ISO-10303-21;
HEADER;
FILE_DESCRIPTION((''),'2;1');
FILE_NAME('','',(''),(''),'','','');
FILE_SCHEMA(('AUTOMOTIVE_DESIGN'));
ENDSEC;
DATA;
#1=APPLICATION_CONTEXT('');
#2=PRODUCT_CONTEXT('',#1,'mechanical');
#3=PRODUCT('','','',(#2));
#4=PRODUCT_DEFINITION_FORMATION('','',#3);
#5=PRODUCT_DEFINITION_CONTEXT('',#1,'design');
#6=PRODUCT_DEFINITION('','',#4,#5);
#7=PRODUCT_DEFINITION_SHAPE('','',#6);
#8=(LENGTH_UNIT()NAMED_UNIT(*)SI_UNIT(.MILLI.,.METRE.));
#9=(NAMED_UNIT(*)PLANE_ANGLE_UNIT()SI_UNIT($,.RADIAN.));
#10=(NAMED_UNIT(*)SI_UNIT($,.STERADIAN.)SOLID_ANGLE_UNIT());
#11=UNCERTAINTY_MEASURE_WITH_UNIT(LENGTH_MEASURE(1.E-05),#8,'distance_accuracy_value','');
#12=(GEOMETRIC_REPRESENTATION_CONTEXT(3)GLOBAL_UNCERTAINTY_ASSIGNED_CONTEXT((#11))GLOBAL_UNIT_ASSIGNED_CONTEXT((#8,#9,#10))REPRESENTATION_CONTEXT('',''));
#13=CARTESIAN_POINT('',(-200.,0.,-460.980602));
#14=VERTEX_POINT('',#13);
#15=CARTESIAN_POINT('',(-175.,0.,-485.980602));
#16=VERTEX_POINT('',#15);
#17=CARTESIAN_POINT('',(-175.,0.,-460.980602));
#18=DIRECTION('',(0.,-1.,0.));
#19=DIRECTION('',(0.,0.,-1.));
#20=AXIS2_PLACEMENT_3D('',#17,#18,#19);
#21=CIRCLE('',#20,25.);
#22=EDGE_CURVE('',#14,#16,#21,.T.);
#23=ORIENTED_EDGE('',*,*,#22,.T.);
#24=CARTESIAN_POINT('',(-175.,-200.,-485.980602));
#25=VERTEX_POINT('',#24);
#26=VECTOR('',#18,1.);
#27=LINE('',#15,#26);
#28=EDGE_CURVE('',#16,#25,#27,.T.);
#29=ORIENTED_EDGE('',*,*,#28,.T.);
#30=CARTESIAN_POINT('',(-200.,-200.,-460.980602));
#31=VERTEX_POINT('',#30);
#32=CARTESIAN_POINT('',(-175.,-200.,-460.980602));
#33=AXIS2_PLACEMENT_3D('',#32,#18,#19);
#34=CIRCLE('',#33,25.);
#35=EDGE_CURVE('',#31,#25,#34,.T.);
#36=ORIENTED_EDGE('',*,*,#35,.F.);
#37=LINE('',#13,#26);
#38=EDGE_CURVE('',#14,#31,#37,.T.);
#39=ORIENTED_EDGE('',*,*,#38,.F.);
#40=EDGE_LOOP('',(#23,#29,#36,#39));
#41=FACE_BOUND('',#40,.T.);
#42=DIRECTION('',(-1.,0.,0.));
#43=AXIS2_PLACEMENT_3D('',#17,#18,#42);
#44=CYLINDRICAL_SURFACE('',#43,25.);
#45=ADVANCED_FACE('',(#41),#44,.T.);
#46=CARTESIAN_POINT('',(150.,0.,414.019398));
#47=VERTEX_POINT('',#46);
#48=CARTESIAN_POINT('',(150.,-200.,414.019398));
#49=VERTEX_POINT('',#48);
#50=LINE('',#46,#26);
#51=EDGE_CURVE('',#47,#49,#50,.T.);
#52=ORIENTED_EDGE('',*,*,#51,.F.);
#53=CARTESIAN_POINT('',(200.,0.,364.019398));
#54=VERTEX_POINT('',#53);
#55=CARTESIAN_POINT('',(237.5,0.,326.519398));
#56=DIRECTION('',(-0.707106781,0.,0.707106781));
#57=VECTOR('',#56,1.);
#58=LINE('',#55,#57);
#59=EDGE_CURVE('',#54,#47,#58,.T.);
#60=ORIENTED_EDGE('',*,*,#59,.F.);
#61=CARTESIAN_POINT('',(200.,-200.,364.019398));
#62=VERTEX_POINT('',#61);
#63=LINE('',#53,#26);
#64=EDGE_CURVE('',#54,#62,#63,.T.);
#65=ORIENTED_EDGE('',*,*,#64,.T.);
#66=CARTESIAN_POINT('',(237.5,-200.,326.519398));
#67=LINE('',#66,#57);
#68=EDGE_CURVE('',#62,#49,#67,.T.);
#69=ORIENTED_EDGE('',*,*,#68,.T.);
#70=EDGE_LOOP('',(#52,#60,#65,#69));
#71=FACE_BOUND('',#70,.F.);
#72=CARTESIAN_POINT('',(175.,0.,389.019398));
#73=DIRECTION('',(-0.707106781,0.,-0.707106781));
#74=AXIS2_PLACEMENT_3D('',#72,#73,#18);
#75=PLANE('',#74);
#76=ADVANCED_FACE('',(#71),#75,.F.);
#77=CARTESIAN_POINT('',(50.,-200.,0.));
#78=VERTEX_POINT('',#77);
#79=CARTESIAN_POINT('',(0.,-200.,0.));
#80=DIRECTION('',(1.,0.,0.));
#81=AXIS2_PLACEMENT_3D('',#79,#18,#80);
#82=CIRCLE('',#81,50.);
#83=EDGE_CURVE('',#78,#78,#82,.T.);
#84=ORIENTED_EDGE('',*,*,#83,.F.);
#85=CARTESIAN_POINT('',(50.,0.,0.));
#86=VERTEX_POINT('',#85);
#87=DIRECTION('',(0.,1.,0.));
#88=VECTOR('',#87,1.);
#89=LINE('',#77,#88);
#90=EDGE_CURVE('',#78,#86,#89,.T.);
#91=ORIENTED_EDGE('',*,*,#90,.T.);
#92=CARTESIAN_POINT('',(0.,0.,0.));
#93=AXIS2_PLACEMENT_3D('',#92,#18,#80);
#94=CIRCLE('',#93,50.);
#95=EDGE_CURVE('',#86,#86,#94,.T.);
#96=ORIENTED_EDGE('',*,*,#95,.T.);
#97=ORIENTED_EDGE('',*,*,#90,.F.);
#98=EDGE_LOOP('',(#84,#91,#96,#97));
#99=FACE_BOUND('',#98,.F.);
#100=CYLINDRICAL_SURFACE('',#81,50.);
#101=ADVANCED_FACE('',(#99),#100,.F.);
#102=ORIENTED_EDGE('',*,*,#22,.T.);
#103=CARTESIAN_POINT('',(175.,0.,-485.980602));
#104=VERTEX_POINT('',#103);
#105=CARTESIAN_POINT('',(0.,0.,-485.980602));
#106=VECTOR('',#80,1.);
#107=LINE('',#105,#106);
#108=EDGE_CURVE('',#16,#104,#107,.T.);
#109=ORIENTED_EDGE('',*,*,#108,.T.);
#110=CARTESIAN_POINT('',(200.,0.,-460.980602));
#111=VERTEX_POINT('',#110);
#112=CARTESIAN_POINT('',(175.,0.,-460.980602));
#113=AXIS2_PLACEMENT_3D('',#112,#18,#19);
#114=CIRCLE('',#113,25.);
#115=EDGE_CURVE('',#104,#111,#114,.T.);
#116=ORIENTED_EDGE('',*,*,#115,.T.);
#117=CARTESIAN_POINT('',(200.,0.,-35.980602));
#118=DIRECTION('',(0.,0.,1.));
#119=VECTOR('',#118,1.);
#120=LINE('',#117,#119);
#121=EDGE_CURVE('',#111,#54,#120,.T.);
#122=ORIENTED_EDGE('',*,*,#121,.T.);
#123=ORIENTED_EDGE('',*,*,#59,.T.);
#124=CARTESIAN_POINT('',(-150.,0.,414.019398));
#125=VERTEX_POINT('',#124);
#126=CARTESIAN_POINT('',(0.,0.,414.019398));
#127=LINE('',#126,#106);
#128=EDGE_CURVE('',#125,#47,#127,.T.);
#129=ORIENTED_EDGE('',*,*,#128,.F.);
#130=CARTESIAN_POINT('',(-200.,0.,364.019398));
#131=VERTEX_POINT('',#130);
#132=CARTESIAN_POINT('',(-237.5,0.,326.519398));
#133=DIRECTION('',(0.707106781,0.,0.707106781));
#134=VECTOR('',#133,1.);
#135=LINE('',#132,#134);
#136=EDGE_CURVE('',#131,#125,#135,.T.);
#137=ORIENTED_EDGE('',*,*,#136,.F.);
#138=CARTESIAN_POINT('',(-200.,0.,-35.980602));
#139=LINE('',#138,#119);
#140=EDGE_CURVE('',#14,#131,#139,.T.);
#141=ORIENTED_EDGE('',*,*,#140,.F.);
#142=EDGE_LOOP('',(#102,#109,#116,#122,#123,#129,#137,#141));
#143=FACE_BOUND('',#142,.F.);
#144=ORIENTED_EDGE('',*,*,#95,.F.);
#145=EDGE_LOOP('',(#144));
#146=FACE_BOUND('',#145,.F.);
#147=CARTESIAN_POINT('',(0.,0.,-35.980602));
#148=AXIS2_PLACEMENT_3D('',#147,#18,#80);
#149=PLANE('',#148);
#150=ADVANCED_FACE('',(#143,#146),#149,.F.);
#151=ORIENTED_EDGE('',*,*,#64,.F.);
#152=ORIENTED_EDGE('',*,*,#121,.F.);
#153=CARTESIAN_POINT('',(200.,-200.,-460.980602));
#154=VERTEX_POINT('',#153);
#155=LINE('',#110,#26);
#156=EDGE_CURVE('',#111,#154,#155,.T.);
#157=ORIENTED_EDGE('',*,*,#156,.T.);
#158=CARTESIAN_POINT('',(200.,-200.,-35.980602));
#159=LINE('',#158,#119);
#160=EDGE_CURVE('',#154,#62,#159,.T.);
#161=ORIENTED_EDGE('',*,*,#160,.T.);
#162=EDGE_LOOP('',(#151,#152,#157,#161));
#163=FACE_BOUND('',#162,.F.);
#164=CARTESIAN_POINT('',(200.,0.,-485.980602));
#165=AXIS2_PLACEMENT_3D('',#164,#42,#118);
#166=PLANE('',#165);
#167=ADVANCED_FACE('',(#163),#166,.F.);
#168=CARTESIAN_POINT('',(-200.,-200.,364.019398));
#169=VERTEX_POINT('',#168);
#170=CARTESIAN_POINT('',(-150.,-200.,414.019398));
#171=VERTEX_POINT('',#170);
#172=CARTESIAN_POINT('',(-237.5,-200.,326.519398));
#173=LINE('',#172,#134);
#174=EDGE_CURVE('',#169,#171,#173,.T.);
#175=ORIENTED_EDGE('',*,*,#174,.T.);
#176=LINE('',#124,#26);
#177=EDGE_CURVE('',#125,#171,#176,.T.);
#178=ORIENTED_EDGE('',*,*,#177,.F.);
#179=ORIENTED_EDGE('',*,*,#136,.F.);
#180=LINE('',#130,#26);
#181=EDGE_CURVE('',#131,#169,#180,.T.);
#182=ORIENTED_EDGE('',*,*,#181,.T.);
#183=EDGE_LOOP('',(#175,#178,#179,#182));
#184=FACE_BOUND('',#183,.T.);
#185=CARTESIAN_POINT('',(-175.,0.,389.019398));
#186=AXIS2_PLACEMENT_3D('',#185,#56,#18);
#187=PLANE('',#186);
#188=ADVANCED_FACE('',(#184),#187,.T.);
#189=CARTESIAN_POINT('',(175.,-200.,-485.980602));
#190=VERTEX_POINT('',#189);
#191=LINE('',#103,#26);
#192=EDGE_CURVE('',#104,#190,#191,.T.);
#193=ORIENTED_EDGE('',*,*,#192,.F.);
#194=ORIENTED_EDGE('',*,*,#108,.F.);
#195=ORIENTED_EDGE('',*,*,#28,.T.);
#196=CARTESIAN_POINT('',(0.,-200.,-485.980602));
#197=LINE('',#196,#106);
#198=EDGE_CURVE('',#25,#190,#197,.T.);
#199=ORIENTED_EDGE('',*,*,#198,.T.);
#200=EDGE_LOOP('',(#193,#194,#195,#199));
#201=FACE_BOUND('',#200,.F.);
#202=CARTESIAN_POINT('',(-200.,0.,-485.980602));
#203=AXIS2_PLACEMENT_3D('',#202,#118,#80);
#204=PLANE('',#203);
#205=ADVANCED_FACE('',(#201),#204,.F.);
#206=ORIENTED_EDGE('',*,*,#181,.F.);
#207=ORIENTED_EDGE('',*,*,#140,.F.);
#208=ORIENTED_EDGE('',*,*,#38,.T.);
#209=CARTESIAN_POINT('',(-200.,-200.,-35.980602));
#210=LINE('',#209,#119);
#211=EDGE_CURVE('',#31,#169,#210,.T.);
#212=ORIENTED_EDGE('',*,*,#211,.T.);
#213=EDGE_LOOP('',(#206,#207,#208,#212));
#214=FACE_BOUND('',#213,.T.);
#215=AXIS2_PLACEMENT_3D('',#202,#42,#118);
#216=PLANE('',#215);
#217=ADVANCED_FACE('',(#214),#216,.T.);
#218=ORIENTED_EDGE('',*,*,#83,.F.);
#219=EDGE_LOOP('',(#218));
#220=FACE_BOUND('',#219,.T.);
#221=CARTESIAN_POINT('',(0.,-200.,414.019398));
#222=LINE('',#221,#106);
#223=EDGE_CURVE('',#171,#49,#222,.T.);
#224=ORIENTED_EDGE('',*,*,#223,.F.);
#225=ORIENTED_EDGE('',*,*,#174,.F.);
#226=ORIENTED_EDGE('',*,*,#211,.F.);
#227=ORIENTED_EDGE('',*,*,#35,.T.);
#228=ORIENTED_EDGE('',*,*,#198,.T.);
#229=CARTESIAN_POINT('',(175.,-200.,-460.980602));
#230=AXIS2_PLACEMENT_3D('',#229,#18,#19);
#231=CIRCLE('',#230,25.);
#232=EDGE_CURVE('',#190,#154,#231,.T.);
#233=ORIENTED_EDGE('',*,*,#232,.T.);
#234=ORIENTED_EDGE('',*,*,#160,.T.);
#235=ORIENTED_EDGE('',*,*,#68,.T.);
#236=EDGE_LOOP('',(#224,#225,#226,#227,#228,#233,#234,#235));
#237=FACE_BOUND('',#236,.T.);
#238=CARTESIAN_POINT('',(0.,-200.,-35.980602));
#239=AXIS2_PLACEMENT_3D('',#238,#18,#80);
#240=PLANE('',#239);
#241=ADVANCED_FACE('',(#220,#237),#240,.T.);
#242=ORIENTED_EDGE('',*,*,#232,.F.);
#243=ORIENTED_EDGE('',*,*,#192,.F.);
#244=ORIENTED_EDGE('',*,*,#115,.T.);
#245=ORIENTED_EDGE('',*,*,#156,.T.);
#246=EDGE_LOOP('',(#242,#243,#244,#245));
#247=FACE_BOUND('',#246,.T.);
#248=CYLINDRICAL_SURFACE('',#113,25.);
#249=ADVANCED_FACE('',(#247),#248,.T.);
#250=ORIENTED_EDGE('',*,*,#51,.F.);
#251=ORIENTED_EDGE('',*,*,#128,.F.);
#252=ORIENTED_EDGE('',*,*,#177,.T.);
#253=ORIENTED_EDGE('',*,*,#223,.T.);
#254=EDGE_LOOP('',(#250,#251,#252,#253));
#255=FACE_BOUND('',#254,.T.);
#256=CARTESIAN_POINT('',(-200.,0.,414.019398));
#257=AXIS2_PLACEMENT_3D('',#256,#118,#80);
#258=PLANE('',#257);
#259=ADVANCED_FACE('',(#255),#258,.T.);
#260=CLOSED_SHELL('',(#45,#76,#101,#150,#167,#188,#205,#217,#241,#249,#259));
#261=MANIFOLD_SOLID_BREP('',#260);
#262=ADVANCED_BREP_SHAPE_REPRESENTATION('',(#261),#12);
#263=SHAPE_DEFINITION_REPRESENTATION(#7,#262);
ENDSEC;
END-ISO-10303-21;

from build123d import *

# Parameters (mm, degrees)
F0_W     = 400
F0_H     = 900
F1_DEPTH = 200
F2_SIZE  = 50
F3_R     = 25
F4_R     = 50
F5_DEPTH = 200.001


with BuildPart() as f1:
    # F0 (on Front) → F1 (new body)
    with BuildSketch(Plane.XZ):
        with Locations((0, -35.980602)):
            Rectangle(F0_W, F0_H)
    extrude(amount=F1_DEPTH)

    # F2
    f2_edges = [f1.edges().sort_by_distance(p)[0] for p in [
        (-200, -100, 414.019398),
        (200, -100, 414.019398),
    ]]
    chamfer(f2_edges, length=F2_SIZE)

    # F3
    f3_edges = [f1.edges().sort_by_distance(p)[0] for p in [
        (-200, -100, -485.980602),
        (200, -100, -485.980602),
    ]]
    fillet(f3_edges, radius=F3_R)

    # F4 (on face) → F5 (cut, through all)
    with BuildSketch(Plane.XZ.offset(200)):
        Circle(F4_R)
    extrude(amount=-F5_DEPTH, mode=Mode.SUBTRACT)


solid = f1.part
